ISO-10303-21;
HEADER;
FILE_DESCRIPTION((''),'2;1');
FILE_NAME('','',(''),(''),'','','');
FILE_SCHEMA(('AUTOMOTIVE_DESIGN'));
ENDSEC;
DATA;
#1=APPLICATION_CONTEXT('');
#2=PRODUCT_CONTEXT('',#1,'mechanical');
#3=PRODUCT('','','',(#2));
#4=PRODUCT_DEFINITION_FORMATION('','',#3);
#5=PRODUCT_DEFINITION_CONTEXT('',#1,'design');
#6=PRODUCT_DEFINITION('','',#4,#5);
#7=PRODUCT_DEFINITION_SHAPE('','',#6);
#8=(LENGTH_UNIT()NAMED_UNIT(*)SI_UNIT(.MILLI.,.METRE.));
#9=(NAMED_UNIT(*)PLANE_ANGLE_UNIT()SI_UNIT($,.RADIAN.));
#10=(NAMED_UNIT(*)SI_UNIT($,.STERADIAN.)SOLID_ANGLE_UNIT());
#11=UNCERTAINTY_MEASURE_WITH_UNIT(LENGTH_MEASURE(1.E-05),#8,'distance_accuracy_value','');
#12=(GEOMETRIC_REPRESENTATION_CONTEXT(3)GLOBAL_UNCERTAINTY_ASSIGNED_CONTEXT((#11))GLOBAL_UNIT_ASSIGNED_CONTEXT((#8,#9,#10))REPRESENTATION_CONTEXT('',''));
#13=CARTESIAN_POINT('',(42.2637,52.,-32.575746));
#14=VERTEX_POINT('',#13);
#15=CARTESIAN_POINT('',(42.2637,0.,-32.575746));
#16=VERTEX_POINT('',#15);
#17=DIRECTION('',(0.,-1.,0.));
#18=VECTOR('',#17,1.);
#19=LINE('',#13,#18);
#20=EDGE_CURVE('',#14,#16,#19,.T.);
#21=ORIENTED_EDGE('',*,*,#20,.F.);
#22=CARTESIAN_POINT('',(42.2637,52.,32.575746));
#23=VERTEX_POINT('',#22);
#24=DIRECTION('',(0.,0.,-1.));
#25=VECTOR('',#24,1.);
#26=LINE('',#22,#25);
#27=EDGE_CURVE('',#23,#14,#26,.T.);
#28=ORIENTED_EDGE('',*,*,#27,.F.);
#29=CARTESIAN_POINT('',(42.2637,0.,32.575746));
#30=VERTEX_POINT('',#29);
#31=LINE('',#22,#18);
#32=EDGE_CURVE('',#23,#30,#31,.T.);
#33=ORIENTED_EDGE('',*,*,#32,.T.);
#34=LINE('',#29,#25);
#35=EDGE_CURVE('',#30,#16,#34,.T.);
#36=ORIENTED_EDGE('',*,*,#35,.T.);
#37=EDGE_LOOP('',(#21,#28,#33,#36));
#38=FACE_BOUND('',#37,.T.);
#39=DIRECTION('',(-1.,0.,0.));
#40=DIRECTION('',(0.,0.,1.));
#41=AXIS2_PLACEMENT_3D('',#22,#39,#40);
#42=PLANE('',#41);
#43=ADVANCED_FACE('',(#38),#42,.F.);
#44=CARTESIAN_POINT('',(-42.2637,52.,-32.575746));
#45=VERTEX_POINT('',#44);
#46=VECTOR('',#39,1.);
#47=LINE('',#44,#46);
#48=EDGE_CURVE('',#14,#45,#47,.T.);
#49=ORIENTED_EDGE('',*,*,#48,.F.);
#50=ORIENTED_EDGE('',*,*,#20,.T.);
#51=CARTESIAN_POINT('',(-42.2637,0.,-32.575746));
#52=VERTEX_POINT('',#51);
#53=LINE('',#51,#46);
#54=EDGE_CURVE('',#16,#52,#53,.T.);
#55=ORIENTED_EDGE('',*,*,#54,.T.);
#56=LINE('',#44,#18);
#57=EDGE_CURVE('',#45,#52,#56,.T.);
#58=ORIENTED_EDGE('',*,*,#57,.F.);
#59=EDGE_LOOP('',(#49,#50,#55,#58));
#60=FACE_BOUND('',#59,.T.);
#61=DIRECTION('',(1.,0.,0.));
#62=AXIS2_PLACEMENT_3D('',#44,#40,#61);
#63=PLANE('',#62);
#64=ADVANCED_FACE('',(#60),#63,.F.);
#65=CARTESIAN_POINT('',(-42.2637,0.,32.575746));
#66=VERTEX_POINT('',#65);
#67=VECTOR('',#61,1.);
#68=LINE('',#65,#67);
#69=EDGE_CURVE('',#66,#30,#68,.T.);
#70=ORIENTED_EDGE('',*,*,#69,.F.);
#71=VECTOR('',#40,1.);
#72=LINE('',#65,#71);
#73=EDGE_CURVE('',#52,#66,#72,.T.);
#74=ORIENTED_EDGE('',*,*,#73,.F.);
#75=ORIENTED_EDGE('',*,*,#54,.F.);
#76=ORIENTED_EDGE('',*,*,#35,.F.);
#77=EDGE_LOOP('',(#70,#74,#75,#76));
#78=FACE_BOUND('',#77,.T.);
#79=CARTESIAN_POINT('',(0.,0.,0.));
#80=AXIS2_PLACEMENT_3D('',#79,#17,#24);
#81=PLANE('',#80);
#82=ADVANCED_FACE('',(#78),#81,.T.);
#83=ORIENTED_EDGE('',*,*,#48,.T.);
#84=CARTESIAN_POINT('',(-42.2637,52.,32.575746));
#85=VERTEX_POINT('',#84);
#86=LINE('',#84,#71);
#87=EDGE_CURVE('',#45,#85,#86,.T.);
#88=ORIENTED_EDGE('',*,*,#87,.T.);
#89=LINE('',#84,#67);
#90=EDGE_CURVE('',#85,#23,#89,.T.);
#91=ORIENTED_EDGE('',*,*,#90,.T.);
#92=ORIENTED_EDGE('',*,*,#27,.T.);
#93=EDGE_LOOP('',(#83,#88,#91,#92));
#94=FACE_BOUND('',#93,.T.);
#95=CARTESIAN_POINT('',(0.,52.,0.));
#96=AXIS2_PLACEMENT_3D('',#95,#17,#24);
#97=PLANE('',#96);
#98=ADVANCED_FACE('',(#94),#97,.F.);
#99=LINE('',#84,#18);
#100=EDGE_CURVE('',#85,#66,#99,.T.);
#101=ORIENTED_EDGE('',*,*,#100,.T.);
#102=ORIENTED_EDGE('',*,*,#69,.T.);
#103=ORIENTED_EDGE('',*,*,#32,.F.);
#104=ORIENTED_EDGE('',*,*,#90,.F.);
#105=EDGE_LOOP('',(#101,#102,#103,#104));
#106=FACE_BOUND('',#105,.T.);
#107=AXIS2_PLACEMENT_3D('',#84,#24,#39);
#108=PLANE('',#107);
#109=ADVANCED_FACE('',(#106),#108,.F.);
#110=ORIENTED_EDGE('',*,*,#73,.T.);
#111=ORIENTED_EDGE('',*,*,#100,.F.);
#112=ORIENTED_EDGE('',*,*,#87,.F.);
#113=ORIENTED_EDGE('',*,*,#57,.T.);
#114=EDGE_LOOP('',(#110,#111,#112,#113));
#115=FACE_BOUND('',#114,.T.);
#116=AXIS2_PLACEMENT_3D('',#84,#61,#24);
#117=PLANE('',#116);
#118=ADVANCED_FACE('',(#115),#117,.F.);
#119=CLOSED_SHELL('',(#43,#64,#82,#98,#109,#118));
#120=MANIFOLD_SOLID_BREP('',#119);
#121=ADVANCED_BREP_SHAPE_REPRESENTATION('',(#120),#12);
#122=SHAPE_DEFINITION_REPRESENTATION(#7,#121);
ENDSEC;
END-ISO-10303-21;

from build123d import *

# Parameters (mm, degrees)
SKETCH_1_W      = 84.527399506
SKETCH_1_H      = 65.15149131
EXTRUDE_1_DEPTH = 52


with BuildPart() as part:
    # 草图1 → 凸台-拉伸1 (new body)
    with BuildSketch(Plane(origin=(0, 0, 0), x_dir=(1, 0, 0), z_dir=(0, 1, 0))):
        Rectangle(SKETCH_1_W, SKETCH_1_H)
    extrude(amount=EXTRUDE_1_DEPTH)


solid = part.part
